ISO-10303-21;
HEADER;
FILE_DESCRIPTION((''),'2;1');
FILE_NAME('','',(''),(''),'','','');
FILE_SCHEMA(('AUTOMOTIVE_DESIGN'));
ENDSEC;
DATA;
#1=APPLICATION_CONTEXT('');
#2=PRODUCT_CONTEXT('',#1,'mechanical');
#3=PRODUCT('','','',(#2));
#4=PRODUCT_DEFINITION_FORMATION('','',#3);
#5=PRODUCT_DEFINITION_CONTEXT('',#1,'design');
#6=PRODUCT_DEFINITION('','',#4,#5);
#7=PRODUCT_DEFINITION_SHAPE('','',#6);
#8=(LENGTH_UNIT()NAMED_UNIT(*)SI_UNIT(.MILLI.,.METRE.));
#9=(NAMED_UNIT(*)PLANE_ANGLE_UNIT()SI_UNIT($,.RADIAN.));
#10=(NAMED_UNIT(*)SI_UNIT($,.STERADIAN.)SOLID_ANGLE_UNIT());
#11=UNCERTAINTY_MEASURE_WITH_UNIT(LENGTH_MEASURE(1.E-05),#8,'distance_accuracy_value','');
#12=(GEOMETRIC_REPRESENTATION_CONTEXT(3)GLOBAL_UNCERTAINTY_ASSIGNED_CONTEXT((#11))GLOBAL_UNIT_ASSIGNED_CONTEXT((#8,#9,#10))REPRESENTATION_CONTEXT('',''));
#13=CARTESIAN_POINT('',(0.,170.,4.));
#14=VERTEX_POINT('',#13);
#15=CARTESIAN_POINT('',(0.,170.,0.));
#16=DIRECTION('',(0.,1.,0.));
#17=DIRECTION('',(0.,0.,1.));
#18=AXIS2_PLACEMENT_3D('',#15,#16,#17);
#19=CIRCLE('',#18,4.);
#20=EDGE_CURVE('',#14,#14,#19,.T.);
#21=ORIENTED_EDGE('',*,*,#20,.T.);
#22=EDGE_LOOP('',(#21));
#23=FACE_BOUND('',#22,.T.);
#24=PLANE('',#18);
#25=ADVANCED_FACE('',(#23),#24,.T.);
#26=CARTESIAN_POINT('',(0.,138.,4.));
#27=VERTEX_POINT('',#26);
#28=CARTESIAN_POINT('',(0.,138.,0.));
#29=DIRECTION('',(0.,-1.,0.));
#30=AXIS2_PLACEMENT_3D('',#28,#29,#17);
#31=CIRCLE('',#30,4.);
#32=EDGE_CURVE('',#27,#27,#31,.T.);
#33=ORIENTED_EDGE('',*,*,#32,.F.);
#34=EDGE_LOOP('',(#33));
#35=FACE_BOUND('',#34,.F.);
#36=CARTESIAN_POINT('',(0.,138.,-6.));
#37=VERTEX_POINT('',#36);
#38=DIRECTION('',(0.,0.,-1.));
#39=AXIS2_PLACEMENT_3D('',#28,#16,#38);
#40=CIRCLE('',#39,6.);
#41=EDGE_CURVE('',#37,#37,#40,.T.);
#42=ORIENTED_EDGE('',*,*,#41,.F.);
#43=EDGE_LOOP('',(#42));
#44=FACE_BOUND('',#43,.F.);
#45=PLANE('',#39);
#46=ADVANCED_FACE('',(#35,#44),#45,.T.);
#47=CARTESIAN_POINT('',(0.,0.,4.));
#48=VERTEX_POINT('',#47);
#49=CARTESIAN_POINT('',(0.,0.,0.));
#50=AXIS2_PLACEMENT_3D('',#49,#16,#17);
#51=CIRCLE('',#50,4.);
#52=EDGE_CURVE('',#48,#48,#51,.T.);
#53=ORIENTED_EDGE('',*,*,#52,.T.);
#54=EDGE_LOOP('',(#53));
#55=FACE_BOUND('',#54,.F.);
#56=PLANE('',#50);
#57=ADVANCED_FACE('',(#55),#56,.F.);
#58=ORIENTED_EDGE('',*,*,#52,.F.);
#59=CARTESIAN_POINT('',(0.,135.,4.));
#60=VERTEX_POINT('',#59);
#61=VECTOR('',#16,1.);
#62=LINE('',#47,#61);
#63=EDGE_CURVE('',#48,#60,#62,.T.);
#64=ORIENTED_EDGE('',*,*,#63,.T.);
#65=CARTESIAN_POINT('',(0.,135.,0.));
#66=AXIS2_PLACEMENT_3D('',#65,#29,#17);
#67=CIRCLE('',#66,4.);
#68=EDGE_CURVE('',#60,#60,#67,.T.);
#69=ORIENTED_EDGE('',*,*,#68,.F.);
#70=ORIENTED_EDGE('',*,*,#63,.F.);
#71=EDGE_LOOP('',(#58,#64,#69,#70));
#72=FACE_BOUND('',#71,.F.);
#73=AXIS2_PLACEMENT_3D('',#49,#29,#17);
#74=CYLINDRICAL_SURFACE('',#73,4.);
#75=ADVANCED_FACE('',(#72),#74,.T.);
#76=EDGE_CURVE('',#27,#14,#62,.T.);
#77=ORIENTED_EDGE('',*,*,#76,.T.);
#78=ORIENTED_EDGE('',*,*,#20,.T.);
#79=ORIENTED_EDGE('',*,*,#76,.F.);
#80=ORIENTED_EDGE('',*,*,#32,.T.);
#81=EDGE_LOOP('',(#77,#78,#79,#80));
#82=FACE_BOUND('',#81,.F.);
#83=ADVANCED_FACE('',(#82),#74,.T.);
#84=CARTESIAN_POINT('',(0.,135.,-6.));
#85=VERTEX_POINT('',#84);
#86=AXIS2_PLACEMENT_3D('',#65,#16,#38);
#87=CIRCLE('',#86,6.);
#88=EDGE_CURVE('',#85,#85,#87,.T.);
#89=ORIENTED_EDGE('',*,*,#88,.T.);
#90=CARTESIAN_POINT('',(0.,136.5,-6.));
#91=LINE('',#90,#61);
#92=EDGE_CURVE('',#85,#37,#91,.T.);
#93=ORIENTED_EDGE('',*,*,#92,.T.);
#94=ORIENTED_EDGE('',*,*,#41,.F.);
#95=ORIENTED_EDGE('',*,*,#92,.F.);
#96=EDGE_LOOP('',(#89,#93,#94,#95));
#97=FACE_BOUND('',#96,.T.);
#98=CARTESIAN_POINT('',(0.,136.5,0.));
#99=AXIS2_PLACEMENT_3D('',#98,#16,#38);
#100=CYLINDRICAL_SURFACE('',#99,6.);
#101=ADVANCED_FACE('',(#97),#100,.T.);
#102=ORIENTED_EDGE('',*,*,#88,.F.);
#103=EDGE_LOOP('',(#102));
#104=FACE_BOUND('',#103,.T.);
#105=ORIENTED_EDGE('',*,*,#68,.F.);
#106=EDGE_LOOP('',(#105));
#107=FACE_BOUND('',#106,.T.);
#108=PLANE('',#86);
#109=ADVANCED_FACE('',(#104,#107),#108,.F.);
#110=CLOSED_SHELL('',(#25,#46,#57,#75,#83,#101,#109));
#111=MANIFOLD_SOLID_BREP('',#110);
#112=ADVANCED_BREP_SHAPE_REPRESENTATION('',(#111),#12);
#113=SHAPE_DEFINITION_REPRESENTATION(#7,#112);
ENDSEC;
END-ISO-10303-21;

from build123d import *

# Parameters (mm, degrees)
SKETCH1_R           = 4
BOSS_EXTRUDE1_DEPTH = 170
SKETCH16_W          = 6
SKETCH16_H          = 3


with BuildPart() as part:
    # Sketch1 → Boss-Extrude1 (new body)
    with BuildSketch(Plane(origin=(0, 0, 0), x_dir=(1, 0, 0), z_dir=(0, 1, 0))):
        with Locations(Location((0, 0, 0), (0, 0, 270))):
            Circle(SKETCH1_R)
    extrude(amount=BOSS_EXTRUDE1_DEPTH)

    # Sketch16 → Revolve1 (revolve)
    with BuildSketch(Plane.XY, mode=Mode.PRIVATE) as revolve1_sk:
        with Locations((3, 136.5)):
            Rectangle(SKETCH16_W, SKETCH16_H)
    revolve(revolve1_sk.sketch.rotate(Axis((0, 135, 0), (0, 1, 0)), 90), axis=Axis((0, 135, 0), (0, 1, 0)))


solid = part.part
